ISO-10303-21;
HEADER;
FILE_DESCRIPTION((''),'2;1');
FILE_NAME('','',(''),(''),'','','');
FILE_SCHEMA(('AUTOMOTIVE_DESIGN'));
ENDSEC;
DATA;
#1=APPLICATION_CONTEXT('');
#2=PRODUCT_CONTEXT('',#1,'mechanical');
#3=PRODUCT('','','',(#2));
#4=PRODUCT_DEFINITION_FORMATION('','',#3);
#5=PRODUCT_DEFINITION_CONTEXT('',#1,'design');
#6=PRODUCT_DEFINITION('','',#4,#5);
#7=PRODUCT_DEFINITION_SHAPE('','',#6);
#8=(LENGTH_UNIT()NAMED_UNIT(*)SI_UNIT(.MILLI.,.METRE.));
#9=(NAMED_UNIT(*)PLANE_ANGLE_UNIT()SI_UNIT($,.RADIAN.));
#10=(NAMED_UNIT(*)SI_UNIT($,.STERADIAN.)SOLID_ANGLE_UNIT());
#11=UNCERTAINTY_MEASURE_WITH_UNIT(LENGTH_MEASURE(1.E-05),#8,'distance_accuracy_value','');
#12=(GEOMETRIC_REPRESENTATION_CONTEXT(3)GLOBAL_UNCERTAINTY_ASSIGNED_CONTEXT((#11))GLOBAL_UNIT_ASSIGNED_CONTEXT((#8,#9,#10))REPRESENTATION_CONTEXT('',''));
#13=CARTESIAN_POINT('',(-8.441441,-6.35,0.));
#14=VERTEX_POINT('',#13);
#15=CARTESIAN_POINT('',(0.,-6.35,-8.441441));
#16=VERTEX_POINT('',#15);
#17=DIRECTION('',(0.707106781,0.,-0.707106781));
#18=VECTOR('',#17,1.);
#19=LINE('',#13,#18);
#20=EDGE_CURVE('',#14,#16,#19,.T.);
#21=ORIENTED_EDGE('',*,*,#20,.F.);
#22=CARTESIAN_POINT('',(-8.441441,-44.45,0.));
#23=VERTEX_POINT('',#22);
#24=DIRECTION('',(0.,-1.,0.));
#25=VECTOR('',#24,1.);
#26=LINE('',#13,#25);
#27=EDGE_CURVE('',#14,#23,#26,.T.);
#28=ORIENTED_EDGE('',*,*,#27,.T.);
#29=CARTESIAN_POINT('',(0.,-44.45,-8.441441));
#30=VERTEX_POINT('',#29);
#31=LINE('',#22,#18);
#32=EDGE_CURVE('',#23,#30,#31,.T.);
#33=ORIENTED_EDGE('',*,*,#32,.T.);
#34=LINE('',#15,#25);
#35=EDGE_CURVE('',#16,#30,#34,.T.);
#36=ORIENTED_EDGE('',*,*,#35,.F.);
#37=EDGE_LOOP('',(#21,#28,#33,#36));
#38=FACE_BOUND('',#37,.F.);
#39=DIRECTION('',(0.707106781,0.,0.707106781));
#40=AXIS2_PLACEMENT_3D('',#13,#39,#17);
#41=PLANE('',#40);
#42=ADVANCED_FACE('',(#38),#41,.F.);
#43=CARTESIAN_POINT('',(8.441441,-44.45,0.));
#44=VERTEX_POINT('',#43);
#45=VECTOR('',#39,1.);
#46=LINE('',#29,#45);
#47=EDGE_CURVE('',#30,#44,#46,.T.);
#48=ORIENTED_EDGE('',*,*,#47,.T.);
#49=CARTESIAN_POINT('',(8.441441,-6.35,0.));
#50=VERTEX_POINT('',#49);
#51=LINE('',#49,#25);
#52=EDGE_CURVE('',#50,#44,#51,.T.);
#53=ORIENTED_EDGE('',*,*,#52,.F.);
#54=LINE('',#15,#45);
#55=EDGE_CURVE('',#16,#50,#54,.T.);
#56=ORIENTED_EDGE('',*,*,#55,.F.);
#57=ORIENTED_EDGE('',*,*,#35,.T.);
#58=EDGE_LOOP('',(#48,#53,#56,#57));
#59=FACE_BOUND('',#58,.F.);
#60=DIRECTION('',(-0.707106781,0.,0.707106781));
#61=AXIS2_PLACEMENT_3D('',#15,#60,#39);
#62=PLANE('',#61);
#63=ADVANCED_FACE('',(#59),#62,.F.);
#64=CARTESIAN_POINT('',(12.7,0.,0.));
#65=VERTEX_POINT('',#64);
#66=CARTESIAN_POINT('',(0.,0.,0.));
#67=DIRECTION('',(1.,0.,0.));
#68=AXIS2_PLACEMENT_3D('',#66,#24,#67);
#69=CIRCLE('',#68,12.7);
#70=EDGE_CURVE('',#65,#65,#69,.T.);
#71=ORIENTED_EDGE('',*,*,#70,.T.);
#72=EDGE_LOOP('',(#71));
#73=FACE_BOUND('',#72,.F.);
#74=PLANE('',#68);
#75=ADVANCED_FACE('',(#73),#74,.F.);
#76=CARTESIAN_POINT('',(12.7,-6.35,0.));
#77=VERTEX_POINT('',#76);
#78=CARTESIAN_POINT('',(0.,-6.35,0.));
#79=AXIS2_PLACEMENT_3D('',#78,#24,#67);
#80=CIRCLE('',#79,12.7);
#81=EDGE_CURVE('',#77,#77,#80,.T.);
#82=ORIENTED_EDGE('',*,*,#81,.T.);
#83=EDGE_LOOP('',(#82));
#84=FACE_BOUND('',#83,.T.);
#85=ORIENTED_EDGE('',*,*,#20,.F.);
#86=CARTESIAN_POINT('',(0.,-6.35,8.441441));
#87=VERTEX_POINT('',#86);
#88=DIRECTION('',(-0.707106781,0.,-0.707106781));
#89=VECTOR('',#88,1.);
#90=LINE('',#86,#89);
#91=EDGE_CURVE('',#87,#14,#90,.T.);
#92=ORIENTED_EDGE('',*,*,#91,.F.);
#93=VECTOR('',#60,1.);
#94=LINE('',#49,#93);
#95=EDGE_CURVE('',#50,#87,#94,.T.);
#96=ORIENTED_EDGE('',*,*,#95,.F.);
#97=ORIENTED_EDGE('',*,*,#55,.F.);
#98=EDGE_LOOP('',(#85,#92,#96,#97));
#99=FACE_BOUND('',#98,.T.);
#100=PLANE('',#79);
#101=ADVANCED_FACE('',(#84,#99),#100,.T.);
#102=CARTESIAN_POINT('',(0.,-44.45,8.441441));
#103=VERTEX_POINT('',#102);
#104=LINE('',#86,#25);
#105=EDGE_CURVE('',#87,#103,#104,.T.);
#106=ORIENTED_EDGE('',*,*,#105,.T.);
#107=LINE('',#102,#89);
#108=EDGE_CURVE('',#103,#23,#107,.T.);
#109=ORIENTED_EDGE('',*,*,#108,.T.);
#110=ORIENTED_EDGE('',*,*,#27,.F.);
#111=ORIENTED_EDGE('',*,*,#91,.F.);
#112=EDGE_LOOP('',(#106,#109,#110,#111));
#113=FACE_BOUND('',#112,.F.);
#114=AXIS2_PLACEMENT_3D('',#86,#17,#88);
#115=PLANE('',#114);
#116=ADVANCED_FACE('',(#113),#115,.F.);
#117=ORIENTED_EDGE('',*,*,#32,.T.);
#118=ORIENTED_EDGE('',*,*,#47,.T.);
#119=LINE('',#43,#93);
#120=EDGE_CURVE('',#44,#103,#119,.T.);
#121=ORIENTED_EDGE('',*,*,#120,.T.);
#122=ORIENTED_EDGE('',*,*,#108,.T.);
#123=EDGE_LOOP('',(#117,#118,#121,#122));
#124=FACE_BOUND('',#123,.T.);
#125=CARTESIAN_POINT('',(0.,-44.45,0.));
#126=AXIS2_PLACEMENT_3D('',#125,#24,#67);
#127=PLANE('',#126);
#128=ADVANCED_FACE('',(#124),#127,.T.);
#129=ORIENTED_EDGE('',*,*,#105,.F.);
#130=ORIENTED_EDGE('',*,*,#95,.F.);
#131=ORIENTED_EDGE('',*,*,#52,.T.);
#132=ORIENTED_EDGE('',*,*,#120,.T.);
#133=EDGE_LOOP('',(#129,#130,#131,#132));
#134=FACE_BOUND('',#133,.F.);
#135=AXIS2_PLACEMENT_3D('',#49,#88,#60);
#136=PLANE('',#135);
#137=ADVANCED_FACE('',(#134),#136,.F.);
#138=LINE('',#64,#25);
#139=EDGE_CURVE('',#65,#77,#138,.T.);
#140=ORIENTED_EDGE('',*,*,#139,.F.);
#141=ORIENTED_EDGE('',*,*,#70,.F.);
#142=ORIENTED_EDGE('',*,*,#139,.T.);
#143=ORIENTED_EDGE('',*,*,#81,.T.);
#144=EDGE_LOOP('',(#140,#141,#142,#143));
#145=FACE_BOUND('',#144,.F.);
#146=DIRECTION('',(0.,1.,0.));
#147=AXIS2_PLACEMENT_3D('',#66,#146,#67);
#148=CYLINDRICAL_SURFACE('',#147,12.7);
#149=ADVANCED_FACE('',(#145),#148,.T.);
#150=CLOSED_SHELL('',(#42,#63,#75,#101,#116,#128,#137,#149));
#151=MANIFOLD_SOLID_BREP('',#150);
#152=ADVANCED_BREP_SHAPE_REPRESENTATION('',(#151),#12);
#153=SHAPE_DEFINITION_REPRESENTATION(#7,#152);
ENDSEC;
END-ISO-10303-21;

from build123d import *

# Parameters (mm, degrees)
F0_R     = 12.7
F1_DEPTH = 6.35
F3_DEPTH = 38.1


with BuildPart() as f1:
    # F0 (on Front) → F1 (new body)
    with BuildSketch(Plane.XZ):
        Circle(F0_R)
    extrude(amount=F1_DEPTH)

    # F2 (on face) → F3 (join)
    with BuildSketch(Plane.XZ.offset(6.35)):
        Polygon((0, -8.441441), (8.441441, 0), (0, 8.441441), (-8.441441, 0), align=None)
    extrude(amount=F3_DEPTH)


solid = f1.part
